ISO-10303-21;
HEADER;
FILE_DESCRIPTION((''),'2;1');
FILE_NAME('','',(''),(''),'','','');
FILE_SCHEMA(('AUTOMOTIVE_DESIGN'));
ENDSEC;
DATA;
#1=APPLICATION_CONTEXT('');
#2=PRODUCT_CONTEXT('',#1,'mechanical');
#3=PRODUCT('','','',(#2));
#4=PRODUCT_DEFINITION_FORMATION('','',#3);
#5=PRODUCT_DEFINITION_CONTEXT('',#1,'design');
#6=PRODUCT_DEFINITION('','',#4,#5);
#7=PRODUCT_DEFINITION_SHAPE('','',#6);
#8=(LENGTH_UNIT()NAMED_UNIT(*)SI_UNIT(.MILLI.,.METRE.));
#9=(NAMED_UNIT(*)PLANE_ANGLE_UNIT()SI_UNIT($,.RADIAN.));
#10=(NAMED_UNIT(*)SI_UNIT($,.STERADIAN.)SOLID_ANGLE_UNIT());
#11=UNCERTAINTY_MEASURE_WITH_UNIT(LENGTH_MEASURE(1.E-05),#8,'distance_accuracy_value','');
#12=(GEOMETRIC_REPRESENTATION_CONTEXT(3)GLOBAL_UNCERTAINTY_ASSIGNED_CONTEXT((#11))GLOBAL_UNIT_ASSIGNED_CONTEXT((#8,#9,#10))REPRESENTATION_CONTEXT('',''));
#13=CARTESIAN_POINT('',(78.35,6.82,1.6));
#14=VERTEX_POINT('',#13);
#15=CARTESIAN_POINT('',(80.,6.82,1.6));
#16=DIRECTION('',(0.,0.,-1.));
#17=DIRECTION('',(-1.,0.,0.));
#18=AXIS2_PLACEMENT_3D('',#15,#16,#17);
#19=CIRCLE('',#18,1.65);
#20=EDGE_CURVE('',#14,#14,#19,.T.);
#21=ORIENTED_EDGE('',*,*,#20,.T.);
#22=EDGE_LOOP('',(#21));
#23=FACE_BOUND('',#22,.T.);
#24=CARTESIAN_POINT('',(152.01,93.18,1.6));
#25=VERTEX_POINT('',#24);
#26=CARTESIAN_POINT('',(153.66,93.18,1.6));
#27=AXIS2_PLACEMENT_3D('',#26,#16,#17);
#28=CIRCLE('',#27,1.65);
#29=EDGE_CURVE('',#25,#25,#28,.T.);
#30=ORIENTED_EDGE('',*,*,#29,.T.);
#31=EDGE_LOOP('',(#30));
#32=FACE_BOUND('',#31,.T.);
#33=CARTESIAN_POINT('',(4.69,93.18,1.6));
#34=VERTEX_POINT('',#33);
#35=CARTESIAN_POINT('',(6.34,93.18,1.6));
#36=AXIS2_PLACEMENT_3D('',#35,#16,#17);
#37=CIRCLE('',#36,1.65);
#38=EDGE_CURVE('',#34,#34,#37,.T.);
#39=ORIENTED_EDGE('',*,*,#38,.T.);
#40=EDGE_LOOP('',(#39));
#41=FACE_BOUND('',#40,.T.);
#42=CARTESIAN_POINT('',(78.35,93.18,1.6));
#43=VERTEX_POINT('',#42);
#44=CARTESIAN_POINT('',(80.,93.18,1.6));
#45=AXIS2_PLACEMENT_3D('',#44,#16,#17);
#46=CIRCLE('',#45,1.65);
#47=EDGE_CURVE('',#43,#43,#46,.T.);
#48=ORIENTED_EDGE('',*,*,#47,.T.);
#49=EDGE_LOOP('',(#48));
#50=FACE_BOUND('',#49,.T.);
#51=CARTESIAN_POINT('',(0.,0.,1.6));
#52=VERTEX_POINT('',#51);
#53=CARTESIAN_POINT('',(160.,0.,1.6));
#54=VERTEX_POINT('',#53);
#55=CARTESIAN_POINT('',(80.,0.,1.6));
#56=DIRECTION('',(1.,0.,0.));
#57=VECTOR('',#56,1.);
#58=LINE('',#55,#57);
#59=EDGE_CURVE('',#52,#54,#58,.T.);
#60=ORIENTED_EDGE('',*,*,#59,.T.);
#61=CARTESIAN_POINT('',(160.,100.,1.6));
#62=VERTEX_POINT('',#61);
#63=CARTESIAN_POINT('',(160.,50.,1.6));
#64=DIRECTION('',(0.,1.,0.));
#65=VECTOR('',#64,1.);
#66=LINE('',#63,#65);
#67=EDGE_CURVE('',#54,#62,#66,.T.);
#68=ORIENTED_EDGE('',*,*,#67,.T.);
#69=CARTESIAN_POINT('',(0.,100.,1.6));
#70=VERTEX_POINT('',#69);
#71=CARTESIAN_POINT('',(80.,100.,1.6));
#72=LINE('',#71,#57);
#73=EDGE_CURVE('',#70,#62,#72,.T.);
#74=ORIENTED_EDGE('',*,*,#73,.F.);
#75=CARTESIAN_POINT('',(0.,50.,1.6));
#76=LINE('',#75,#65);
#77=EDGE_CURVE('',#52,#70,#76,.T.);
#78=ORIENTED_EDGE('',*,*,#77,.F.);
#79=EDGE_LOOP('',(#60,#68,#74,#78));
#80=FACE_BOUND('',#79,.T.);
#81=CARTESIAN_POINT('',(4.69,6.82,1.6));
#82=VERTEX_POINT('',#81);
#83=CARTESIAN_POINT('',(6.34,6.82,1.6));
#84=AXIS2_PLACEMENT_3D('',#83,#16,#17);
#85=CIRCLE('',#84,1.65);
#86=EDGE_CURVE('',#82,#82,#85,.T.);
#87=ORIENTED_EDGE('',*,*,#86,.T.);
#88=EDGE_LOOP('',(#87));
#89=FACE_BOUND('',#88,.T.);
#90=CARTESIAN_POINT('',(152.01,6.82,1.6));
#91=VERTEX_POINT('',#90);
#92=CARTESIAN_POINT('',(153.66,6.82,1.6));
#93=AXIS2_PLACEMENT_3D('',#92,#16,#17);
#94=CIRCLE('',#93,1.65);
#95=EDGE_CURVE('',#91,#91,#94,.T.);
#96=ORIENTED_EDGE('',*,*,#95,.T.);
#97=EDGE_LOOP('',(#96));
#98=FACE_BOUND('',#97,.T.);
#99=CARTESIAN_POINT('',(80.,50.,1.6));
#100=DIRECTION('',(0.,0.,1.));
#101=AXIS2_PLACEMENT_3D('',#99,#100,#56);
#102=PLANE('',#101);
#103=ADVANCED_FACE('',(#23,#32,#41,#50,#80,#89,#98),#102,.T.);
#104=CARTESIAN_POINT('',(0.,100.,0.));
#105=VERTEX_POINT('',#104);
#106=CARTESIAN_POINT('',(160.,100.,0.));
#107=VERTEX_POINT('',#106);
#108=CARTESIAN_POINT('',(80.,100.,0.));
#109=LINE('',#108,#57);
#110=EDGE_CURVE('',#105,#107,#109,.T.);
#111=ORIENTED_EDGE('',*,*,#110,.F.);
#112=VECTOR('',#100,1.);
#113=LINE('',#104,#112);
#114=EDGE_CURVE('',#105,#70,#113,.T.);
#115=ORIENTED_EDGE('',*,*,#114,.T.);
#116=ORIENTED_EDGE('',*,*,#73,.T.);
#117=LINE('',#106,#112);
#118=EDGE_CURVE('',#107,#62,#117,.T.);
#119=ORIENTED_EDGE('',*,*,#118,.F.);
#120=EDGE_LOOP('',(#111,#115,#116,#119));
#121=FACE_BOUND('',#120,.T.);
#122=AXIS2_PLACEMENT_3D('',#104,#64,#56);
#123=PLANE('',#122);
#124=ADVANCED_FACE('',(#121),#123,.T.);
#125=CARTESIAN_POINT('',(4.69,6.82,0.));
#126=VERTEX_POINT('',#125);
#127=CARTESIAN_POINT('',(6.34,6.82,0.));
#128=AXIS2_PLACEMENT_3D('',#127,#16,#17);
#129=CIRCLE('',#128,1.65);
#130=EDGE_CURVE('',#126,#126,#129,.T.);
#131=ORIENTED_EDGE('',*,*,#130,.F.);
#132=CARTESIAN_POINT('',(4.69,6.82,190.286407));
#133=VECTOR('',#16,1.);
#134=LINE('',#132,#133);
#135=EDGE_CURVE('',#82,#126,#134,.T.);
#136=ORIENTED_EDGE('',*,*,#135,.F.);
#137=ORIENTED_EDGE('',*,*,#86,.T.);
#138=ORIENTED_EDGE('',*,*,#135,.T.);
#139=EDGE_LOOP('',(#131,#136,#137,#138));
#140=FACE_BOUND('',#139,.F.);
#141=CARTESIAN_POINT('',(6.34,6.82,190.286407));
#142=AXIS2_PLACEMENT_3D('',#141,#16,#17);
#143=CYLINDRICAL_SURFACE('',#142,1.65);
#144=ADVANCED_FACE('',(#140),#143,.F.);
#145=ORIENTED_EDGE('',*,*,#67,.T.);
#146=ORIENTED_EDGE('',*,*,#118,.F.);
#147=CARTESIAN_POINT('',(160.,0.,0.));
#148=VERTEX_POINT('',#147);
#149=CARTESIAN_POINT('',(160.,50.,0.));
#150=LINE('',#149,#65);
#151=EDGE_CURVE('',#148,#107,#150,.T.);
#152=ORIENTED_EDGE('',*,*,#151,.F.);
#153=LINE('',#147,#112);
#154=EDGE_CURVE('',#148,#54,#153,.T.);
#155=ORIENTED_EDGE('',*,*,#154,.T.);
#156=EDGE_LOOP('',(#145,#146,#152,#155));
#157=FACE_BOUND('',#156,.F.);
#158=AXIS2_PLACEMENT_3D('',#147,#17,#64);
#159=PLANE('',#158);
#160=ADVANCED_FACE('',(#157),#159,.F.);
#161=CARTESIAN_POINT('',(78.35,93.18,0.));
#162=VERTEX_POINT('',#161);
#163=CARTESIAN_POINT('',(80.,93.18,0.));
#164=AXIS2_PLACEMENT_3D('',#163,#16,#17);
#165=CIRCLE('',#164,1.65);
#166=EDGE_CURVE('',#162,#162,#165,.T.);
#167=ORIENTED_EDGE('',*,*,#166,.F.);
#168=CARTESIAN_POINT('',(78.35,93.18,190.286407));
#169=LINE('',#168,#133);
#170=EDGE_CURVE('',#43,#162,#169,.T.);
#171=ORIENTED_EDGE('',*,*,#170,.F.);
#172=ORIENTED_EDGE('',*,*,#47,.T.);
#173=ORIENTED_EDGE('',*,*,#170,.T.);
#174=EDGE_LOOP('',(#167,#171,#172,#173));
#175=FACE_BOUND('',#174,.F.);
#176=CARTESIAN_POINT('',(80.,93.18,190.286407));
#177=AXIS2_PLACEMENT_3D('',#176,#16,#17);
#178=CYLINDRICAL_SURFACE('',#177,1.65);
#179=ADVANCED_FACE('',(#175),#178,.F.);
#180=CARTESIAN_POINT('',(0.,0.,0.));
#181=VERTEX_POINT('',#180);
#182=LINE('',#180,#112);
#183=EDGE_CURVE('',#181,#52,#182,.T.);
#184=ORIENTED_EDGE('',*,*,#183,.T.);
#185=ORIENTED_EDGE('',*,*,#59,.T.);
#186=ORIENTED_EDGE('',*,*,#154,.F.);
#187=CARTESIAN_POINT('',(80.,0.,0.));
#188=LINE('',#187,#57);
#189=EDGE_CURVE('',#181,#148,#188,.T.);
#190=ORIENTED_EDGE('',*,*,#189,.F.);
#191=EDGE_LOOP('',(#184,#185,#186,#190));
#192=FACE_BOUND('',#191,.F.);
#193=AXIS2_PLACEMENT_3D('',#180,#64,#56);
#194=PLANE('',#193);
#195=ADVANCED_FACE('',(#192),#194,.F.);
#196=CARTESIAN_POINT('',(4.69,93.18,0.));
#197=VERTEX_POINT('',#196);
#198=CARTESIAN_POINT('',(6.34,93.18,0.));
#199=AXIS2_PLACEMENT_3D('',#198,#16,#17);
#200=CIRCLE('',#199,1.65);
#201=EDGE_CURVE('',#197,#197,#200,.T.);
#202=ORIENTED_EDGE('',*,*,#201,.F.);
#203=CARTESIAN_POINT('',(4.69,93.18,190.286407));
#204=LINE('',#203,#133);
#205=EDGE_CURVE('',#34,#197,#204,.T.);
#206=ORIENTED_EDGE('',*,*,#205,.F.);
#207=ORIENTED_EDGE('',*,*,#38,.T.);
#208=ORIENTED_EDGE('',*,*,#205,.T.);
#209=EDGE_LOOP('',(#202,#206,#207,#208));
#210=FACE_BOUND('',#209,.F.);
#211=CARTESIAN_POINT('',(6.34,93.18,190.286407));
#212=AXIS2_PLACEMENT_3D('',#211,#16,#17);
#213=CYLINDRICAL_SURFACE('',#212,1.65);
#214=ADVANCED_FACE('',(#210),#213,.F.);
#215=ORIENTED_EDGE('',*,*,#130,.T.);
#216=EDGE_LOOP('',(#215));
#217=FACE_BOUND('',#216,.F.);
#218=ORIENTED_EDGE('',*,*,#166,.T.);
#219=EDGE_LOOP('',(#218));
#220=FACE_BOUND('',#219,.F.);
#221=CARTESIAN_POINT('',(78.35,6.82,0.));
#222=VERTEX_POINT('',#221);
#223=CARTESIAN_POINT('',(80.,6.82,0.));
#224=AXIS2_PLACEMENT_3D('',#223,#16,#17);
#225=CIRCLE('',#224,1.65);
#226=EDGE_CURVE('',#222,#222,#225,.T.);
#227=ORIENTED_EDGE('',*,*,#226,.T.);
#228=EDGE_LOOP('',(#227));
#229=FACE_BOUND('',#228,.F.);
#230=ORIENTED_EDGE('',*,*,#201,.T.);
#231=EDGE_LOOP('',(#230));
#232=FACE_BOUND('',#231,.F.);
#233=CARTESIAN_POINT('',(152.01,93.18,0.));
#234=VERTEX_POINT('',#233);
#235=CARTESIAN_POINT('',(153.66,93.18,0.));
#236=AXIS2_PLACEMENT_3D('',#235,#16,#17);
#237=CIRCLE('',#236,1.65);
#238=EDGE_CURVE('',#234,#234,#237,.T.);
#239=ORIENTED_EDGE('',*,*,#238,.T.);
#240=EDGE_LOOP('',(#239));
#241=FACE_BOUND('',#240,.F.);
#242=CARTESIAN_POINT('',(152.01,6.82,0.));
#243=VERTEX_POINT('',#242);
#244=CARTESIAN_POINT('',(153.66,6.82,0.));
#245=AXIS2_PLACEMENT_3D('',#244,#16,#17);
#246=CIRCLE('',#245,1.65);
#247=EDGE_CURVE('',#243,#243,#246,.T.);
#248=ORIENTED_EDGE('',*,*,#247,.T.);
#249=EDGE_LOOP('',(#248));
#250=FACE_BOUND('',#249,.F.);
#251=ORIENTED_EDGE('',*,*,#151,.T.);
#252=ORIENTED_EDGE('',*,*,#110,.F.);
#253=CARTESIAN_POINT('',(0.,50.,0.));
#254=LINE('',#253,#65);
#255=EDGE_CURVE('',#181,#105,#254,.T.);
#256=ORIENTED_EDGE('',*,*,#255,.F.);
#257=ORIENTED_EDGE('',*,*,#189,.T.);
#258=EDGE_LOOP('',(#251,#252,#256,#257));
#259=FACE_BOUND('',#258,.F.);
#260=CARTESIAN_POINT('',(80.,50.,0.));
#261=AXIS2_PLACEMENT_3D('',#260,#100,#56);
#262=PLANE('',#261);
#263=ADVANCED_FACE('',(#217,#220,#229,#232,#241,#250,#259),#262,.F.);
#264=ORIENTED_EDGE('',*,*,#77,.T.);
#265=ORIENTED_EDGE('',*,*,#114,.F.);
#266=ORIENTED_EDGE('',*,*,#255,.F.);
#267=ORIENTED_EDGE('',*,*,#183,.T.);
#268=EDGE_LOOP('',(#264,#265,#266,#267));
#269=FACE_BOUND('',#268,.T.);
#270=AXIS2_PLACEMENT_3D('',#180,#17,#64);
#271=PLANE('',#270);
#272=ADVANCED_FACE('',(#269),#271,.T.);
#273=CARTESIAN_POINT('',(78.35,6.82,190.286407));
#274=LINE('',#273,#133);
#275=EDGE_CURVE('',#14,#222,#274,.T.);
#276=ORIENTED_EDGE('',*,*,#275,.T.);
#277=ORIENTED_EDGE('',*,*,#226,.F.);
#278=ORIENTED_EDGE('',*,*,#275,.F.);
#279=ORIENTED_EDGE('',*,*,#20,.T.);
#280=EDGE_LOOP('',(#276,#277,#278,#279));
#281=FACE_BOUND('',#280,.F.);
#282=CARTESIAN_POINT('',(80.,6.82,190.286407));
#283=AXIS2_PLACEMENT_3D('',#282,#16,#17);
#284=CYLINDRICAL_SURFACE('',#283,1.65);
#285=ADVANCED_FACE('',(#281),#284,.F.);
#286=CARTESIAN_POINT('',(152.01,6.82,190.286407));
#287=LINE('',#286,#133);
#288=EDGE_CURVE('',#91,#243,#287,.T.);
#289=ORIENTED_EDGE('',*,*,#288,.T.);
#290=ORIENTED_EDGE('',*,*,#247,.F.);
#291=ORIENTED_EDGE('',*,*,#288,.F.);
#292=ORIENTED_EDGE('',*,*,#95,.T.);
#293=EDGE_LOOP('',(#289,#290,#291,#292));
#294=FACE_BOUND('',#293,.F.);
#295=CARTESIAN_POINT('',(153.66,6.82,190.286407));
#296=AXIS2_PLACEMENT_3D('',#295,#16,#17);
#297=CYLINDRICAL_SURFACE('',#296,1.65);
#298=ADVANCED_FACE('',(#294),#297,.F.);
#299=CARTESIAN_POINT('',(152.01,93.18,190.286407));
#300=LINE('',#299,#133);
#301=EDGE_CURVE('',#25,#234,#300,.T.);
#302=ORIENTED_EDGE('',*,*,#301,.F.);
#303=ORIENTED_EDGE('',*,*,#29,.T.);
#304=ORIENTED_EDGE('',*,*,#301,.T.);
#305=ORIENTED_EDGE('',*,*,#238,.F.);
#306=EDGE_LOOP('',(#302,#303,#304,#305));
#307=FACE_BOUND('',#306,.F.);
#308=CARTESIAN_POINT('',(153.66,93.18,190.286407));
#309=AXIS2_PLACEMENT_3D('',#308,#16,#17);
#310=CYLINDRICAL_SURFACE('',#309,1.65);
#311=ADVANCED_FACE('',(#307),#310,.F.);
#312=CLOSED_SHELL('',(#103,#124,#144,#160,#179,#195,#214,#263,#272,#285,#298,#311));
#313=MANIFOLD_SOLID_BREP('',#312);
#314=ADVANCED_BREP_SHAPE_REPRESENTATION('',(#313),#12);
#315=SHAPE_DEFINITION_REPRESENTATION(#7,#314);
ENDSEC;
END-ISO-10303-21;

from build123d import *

# Parameters (mm, degrees)
F0_W     = 160
F0_H     = 100
F1_DEPTH = 1.6
F3_D     = 3.3


with BuildPart() as f1:
    # F0 (on Top) → F1 (new body)
    with BuildSketch(Plane.XY):
        with Locations((80, 50)):
            Rectangle(F0_W, F0_H)
    extrude(amount=F1_DEPTH)

    # F3 (through all)
    with Locations(Plane.XY.offset(1.6)):
        with Locations((6.34, 93.18), (6.34, 6.82), (80, 6.82), (80, 93.18), (153.66, 93.18), (153.66, 6.82)):
            Hole(F3_D / 2)


solid = f1.part
